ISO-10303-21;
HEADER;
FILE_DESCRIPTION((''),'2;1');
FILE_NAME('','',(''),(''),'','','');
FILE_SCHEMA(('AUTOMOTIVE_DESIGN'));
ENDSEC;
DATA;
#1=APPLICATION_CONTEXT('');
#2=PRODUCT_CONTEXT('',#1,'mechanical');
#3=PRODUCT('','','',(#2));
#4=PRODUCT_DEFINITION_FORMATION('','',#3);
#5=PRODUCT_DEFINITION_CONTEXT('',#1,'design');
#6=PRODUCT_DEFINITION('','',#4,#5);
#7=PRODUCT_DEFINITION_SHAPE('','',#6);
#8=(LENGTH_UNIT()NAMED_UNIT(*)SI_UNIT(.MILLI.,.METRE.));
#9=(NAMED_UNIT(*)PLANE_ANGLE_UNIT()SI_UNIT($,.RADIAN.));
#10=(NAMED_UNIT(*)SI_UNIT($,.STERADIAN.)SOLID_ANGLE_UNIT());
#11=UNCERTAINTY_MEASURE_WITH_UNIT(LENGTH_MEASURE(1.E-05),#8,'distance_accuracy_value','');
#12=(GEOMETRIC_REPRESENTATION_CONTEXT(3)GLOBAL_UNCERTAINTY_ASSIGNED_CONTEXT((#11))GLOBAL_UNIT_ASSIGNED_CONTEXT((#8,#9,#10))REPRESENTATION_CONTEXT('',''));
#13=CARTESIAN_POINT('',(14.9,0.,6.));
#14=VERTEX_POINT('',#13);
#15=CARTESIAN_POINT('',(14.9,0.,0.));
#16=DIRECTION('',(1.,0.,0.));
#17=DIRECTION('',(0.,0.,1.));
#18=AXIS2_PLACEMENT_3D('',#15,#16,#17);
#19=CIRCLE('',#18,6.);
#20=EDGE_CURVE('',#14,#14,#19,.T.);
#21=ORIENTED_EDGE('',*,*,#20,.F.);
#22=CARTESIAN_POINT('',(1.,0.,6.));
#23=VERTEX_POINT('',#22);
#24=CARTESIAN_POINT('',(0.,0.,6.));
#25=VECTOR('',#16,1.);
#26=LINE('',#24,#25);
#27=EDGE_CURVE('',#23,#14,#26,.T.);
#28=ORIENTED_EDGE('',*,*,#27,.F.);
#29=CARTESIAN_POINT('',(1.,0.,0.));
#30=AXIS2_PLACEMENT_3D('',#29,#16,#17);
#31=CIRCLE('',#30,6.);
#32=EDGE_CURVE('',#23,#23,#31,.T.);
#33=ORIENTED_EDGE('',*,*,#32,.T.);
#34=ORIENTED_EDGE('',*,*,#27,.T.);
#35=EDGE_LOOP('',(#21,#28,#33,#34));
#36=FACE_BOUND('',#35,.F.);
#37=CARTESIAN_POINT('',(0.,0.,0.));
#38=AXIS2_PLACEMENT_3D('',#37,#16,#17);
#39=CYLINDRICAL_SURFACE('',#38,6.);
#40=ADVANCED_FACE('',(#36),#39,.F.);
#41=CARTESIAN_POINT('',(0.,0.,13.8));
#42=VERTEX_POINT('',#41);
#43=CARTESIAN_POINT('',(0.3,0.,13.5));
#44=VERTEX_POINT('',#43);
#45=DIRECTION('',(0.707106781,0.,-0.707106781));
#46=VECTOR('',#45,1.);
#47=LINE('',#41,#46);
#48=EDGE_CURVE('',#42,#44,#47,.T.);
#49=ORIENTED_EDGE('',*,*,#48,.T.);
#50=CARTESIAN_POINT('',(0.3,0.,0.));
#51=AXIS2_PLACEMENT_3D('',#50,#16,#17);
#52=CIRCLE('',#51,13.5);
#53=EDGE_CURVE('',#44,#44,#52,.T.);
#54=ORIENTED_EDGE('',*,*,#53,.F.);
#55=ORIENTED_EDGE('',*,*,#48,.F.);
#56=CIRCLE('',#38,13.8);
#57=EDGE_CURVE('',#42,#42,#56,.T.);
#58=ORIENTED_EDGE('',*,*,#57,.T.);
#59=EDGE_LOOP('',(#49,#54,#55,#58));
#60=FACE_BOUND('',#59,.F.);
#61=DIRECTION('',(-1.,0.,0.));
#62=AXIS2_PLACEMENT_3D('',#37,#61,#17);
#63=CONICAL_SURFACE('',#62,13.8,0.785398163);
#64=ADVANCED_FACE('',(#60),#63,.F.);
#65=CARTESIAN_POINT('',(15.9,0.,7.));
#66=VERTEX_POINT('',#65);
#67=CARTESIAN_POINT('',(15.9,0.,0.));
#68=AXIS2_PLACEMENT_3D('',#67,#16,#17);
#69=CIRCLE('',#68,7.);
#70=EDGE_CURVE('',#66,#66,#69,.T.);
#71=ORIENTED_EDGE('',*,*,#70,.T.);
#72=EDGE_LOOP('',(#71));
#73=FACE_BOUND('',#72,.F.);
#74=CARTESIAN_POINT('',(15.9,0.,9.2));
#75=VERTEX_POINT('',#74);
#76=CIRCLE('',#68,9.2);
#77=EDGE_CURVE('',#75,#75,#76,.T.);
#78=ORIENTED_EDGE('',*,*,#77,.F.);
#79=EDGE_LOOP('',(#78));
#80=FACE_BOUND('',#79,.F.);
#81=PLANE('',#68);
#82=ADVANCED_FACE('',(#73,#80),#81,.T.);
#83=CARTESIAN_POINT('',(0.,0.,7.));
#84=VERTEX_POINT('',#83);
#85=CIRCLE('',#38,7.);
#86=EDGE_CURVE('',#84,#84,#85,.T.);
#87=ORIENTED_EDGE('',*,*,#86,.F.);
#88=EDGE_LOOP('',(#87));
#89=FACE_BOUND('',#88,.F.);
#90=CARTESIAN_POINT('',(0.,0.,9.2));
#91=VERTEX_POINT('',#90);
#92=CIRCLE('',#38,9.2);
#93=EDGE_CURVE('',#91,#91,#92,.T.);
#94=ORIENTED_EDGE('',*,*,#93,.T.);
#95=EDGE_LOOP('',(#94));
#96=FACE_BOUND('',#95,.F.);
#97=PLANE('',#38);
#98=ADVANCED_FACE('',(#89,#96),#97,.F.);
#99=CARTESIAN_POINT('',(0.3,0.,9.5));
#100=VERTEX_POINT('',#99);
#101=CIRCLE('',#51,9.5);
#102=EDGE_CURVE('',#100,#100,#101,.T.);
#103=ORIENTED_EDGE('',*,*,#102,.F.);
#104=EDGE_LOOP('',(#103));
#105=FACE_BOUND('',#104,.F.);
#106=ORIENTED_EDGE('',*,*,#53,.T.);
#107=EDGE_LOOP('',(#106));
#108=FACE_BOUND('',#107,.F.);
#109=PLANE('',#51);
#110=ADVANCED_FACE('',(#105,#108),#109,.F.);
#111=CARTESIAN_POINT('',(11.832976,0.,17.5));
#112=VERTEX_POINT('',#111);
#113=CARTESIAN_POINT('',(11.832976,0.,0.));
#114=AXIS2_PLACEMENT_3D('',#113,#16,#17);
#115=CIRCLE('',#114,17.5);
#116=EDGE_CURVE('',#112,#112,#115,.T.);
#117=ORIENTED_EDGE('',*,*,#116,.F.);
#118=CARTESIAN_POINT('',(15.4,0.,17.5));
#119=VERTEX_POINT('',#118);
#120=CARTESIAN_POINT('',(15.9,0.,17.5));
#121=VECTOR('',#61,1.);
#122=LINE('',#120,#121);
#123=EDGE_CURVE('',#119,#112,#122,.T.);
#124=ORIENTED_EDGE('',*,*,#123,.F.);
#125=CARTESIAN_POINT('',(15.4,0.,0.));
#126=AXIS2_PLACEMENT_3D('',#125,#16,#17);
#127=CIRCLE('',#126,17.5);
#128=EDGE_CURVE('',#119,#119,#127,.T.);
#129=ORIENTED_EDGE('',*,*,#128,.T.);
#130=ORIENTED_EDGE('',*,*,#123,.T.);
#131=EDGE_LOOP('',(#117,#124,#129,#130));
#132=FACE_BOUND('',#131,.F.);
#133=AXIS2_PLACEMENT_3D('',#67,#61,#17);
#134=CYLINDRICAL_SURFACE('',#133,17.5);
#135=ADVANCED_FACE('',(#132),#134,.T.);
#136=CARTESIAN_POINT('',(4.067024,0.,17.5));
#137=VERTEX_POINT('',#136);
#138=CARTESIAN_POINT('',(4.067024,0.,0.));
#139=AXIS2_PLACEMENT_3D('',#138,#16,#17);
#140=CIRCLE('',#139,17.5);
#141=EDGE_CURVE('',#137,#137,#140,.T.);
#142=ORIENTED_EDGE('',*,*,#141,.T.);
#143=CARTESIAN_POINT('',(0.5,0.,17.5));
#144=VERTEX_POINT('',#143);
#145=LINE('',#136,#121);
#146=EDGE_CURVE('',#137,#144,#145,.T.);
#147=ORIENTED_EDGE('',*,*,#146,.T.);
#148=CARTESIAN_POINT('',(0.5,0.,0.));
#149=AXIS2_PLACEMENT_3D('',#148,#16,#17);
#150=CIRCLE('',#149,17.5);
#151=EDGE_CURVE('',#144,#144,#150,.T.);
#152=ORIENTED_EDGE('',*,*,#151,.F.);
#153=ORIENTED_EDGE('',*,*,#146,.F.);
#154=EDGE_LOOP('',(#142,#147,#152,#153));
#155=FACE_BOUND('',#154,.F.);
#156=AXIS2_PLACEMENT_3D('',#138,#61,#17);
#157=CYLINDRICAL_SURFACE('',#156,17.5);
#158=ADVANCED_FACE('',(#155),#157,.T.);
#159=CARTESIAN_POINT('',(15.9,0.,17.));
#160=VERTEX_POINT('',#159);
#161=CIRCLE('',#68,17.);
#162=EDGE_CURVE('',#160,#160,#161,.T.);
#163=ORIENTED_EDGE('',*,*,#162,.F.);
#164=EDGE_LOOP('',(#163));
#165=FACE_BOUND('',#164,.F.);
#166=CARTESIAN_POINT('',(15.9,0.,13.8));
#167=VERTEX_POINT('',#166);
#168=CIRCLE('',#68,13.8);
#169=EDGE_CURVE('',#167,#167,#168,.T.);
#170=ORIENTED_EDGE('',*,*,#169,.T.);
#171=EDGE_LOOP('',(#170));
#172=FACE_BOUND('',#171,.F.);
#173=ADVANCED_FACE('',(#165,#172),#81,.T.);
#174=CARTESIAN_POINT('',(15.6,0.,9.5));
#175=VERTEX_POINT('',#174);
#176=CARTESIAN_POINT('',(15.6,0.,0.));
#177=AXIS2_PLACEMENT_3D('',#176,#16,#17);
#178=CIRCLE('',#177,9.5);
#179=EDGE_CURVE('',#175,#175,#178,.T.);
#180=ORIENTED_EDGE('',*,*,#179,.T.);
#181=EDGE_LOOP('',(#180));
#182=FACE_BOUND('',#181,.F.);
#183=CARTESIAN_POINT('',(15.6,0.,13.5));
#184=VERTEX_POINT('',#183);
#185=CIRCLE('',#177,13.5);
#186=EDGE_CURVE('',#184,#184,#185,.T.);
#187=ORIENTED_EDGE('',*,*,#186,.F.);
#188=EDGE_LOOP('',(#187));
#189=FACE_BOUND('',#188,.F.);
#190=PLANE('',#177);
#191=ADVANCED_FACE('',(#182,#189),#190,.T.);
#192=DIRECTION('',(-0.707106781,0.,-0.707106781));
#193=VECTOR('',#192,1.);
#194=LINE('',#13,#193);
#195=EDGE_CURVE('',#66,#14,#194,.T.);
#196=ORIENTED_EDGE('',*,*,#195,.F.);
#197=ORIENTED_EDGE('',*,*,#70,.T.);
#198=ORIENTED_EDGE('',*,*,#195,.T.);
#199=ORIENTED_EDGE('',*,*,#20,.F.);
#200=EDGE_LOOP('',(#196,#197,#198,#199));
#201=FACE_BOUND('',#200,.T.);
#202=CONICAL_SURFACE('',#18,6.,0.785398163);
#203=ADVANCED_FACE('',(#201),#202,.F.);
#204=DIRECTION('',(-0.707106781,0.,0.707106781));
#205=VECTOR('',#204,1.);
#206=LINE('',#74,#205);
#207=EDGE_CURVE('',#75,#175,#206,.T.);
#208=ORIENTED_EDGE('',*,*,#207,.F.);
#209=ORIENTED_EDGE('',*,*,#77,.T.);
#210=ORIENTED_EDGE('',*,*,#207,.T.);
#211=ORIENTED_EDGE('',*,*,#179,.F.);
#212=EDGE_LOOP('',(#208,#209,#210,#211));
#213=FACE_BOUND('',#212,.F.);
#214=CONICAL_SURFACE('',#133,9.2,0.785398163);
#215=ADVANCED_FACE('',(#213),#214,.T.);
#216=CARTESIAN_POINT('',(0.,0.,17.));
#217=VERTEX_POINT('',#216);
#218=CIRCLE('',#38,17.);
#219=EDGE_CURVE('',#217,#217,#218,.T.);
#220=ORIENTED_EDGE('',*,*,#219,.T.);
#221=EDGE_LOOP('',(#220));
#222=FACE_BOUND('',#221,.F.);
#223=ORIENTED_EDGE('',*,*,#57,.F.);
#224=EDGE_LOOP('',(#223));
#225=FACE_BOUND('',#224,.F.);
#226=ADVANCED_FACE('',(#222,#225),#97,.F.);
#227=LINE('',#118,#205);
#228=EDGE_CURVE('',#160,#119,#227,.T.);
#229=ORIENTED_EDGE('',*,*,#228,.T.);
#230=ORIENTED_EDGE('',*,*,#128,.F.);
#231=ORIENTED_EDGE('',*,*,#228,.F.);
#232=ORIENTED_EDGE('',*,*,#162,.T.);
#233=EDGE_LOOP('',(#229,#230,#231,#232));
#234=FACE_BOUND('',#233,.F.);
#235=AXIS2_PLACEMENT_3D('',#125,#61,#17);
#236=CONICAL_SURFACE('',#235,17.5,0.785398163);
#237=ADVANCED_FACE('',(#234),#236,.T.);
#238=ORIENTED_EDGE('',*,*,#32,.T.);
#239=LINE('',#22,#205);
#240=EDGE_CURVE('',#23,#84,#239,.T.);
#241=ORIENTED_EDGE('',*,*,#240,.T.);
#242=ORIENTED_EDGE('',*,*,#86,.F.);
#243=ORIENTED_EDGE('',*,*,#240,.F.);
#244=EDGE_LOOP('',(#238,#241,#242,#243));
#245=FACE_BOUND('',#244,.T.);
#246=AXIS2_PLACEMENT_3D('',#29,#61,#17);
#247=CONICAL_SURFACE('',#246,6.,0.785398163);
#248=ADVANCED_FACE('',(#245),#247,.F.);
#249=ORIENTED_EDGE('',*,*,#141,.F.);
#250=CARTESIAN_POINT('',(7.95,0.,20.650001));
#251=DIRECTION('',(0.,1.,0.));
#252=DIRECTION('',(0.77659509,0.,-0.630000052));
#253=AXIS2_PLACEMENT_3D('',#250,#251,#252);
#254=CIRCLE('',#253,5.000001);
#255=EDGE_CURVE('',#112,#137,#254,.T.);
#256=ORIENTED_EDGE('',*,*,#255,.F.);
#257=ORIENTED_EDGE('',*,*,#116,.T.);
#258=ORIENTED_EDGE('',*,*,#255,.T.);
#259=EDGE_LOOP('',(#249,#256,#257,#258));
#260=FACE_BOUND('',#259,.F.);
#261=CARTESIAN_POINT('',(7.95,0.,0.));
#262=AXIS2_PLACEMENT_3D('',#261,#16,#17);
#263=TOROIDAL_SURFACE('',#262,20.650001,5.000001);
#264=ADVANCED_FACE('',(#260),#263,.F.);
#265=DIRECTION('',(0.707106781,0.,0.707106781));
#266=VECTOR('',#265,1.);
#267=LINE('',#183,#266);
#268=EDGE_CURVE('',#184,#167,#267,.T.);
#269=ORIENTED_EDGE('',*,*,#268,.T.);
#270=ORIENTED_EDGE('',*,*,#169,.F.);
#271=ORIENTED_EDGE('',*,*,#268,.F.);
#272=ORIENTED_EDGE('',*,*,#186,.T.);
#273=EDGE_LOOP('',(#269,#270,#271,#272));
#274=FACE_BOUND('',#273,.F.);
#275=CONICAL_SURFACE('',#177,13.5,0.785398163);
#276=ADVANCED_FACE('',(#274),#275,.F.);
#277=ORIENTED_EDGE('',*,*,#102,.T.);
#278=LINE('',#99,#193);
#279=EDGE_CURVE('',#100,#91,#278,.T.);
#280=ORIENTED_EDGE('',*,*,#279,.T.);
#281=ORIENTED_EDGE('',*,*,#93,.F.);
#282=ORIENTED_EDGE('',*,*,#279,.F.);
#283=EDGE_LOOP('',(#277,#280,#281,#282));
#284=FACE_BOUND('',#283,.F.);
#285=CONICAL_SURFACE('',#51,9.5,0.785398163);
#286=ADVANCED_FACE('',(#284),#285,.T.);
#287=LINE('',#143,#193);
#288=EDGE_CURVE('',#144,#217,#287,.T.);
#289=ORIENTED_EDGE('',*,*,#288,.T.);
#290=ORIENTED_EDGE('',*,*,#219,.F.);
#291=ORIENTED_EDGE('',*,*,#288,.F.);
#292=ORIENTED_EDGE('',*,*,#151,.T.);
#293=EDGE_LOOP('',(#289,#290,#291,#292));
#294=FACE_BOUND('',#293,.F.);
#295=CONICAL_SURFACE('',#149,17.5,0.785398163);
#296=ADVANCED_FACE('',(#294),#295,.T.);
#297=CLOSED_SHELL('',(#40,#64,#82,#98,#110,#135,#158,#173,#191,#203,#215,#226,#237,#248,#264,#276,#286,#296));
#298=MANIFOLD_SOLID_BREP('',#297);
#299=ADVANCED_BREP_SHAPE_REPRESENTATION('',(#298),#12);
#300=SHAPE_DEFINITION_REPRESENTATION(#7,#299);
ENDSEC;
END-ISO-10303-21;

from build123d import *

# Parameters (mm, degrees)
F2_SIZE = 0.5
F3_SIZE = 1


with BuildPart() as f1:
    # F0 (on Front) → F1 (revolve)
    with BuildSketch(Plane.XZ):
        with BuildLine():
            Line((0, 9.2), (0, 6))
            Line((0, 6), (15.9, 6))
            Line((15.9, 6), (15.9, 9.2))
            Line((15.9, 9.2), (15.6, 9.5))
            Line((15.6, 9.5), (15.6, 13.5))
            Line((15.6, 13.5), (15.9, 13.8))
            Line((15.9, 13.8), (15.9, 17.5))
            Line((15.9, 17.5), (11.832976, 17.5))
            ThreePointArc((11.832976, 17.5), (7.95, 15.65), (4.067024, 17.5))
            Line((4.067024, 17.5), (0, 17.5))
            Line((0, 17.5), (0, 13.8))
            Line((0, 13.8), (0.3, 13.5))
            Line((0.3, 13.5), (0.3, 9.5))
            Line((0.3, 9.5), (0, 9.2))
        make_face()
    revolve(axis=Axis((29.48505, 0, 0), (1, 0, 0)))

    # F2
    f2_edges = [f1.edges().sort_by_distance(p)[0] for p in [
        (0, 0, -17.5),
        (15.9, 0, -17.5),
    ]]
    chamfer(f2_edges, length=F2_SIZE)

    # F3
    f3_edges = [f1.edges().sort_by_distance(p)[0] for p in [
        (15.9, 0, -6),
        (0, 0, -6),
    ]]
    chamfer(f3_edges, length=F3_SIZE)


solid = f1.part
